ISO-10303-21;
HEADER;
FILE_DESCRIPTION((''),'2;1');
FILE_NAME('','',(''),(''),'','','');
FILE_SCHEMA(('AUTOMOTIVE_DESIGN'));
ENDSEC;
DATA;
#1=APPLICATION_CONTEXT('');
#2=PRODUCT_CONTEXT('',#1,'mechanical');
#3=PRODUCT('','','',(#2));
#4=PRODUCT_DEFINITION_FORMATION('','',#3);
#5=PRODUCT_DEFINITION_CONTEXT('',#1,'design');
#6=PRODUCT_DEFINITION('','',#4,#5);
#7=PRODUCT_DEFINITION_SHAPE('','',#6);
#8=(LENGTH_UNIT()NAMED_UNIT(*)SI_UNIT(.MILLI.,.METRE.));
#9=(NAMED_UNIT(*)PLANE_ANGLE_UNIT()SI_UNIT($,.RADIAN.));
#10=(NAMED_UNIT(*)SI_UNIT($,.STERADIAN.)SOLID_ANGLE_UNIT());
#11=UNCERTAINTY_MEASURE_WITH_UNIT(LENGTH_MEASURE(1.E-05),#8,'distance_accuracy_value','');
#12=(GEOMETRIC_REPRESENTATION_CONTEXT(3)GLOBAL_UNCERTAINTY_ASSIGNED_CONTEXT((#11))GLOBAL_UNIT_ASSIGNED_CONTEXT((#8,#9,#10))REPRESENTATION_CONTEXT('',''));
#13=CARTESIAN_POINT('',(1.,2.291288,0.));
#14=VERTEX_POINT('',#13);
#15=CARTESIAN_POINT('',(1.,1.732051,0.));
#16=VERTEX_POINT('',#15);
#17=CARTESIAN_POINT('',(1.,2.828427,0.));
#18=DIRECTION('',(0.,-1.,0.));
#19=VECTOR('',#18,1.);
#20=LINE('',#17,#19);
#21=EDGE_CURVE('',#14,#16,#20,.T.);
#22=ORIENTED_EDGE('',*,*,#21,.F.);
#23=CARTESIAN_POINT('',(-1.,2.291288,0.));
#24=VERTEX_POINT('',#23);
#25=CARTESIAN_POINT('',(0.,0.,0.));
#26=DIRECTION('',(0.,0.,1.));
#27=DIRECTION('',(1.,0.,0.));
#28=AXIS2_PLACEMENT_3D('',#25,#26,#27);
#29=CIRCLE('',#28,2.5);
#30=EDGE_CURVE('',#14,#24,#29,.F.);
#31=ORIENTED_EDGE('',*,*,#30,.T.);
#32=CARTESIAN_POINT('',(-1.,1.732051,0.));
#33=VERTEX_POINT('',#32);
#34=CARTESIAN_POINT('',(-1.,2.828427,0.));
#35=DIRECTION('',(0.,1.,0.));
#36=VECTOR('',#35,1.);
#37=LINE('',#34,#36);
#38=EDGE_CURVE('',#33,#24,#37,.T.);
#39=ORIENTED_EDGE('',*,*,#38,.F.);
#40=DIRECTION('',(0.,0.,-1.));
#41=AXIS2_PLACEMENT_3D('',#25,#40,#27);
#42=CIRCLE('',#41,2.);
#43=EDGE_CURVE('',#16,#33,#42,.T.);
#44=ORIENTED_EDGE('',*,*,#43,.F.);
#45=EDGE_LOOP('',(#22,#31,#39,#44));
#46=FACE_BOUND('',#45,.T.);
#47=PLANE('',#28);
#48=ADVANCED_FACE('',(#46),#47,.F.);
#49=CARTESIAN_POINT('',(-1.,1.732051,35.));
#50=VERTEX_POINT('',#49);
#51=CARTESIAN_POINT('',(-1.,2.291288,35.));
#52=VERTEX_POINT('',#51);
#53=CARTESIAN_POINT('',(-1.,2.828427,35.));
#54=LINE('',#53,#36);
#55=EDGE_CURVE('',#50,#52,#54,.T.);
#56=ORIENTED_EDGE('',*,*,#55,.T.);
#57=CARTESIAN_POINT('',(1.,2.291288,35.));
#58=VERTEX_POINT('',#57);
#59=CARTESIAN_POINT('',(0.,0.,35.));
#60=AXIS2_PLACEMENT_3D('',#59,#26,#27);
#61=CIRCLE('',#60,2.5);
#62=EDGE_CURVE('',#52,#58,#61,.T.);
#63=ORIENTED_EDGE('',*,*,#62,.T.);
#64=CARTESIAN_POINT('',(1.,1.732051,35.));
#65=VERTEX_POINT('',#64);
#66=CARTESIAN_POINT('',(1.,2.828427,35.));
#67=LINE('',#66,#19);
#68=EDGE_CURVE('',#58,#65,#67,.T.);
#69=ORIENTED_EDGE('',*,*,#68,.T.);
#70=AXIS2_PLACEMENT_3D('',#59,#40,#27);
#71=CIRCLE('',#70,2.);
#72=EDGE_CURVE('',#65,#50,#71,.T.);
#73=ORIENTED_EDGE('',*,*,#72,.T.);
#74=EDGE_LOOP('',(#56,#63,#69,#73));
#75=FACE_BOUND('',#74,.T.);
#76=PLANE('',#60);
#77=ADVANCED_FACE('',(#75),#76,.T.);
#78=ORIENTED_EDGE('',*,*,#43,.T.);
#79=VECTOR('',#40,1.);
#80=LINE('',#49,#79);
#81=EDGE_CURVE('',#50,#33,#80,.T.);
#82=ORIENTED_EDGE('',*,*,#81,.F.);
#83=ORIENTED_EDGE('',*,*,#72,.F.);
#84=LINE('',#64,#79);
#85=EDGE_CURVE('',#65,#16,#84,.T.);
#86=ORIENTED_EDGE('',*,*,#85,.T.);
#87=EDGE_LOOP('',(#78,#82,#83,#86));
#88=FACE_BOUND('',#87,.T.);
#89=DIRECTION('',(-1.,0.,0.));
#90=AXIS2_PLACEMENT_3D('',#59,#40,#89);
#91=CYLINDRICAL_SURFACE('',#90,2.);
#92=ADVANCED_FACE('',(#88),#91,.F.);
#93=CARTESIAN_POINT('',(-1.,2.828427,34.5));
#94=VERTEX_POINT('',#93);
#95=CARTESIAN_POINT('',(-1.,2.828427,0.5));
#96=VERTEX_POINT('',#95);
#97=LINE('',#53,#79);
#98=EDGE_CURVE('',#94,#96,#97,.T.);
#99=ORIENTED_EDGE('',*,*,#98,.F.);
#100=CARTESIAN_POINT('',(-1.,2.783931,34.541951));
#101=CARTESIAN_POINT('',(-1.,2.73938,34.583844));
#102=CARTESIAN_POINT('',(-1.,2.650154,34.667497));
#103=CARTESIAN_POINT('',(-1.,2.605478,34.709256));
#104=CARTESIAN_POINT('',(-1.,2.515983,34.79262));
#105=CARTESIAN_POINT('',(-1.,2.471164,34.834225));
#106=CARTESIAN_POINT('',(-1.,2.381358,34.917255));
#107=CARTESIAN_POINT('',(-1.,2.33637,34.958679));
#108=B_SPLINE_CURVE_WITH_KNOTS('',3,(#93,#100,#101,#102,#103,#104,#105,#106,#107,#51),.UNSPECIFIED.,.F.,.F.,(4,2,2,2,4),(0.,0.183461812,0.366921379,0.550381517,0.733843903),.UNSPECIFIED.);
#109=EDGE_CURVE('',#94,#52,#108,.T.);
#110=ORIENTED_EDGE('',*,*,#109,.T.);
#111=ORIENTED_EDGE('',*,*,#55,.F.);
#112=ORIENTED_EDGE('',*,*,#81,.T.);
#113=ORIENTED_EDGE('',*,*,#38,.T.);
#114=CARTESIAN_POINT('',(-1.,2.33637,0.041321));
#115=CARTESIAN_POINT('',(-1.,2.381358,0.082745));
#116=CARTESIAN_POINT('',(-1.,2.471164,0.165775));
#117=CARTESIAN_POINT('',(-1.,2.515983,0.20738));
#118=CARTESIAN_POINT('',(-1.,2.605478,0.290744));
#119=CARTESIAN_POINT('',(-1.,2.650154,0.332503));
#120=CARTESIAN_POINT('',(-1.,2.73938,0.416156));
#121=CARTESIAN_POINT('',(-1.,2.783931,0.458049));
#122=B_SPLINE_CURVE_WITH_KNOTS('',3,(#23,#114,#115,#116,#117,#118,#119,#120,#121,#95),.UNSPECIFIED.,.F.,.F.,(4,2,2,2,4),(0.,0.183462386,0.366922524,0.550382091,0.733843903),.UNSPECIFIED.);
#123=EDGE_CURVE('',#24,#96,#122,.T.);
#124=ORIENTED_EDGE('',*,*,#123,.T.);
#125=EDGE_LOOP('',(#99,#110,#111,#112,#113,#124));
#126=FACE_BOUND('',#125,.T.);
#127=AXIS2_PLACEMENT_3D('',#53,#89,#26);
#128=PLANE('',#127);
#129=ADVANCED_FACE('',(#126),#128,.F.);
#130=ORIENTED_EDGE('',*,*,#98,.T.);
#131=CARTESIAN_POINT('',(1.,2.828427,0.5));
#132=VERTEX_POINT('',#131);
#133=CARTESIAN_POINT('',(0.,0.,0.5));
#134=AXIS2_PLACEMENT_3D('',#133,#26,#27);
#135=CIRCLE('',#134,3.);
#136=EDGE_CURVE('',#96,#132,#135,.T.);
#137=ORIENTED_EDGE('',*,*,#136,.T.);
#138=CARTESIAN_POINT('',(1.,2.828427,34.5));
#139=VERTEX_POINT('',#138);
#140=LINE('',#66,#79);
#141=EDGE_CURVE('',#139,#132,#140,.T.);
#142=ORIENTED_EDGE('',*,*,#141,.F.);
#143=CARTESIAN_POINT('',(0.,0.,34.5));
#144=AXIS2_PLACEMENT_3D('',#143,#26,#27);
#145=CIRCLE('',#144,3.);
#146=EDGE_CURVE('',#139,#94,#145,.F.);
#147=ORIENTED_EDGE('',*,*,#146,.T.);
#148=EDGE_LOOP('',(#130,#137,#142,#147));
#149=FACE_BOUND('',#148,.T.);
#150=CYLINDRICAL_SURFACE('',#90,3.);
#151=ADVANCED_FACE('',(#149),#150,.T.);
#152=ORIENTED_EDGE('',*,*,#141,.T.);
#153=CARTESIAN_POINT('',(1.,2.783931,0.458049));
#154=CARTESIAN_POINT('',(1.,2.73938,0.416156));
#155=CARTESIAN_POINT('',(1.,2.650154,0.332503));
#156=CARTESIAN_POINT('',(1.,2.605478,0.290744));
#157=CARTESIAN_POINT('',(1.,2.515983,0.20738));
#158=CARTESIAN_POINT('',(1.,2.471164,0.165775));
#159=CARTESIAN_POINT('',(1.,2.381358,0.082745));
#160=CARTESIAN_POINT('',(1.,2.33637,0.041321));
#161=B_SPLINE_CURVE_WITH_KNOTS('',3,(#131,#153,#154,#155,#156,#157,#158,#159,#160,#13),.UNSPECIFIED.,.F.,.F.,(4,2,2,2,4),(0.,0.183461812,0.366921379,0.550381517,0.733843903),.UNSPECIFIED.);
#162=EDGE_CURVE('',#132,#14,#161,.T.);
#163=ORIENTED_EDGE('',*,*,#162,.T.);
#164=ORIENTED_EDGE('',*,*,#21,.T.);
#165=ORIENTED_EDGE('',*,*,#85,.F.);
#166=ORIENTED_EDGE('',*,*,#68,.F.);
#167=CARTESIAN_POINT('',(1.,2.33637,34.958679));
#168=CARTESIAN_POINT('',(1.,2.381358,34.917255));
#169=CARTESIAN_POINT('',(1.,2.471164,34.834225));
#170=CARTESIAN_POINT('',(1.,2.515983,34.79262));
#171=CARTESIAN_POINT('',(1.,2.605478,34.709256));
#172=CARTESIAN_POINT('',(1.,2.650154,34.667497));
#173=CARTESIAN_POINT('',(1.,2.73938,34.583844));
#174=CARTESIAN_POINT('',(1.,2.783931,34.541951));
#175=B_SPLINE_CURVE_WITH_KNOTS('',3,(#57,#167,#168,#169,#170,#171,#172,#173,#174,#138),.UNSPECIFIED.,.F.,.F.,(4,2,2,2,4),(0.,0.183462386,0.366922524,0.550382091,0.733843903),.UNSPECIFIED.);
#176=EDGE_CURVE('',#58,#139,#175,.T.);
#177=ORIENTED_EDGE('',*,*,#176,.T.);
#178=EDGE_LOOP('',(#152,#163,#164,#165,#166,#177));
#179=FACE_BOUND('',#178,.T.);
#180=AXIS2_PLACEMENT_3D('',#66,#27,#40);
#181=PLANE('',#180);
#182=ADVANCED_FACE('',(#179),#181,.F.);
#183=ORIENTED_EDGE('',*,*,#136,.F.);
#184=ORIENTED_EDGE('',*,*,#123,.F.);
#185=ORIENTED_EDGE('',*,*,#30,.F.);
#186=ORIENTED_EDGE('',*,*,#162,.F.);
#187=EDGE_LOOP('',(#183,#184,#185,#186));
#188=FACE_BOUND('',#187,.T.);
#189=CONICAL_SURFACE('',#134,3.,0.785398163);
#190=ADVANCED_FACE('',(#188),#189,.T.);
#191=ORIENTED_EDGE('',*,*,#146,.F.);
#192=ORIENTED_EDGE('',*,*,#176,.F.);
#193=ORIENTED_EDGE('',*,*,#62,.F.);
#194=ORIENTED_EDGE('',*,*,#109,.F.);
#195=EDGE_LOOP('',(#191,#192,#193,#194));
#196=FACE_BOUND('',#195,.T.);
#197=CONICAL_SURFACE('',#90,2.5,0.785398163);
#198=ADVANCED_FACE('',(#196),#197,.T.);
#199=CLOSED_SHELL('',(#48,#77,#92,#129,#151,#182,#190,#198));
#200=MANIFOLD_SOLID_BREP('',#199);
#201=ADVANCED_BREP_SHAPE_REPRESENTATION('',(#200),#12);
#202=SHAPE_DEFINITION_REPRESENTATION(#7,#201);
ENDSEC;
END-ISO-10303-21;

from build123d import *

# Parameters (mm, degrees)
EXTRUSION2_DEPTH = 35
CHANFREIN1_SIZE  = 0.5


with BuildPart() as part:
    # Esquisse1 → Extrusion2 (new body)
    with BuildSketch(Plane.XY):
        with BuildLine():
            Line((-1, 2.828427125), (-1, 1.732050808))
            ThreePointArc((-1, 1.732050808), (0, -2), (1, 1.732050808))
            Line((1, 1.732050808), (1, 2.828427125))
            ThreePointArc((1, 2.828427125), (0, -3), (-1, 2.828427125))
        make_face()
    extrude(amount=EXTRUSION2_DEPTH)

    # Chanfrein1
    chanfrein1_edges = [part.edges().sort_by_distance(p)[0] for p in [
        (0, -3, 35),
        (0, -3, 0),
    ]]
    chamfer(chanfrein1_edges, length=CHANFREIN1_SIZE)


solid = part.part
